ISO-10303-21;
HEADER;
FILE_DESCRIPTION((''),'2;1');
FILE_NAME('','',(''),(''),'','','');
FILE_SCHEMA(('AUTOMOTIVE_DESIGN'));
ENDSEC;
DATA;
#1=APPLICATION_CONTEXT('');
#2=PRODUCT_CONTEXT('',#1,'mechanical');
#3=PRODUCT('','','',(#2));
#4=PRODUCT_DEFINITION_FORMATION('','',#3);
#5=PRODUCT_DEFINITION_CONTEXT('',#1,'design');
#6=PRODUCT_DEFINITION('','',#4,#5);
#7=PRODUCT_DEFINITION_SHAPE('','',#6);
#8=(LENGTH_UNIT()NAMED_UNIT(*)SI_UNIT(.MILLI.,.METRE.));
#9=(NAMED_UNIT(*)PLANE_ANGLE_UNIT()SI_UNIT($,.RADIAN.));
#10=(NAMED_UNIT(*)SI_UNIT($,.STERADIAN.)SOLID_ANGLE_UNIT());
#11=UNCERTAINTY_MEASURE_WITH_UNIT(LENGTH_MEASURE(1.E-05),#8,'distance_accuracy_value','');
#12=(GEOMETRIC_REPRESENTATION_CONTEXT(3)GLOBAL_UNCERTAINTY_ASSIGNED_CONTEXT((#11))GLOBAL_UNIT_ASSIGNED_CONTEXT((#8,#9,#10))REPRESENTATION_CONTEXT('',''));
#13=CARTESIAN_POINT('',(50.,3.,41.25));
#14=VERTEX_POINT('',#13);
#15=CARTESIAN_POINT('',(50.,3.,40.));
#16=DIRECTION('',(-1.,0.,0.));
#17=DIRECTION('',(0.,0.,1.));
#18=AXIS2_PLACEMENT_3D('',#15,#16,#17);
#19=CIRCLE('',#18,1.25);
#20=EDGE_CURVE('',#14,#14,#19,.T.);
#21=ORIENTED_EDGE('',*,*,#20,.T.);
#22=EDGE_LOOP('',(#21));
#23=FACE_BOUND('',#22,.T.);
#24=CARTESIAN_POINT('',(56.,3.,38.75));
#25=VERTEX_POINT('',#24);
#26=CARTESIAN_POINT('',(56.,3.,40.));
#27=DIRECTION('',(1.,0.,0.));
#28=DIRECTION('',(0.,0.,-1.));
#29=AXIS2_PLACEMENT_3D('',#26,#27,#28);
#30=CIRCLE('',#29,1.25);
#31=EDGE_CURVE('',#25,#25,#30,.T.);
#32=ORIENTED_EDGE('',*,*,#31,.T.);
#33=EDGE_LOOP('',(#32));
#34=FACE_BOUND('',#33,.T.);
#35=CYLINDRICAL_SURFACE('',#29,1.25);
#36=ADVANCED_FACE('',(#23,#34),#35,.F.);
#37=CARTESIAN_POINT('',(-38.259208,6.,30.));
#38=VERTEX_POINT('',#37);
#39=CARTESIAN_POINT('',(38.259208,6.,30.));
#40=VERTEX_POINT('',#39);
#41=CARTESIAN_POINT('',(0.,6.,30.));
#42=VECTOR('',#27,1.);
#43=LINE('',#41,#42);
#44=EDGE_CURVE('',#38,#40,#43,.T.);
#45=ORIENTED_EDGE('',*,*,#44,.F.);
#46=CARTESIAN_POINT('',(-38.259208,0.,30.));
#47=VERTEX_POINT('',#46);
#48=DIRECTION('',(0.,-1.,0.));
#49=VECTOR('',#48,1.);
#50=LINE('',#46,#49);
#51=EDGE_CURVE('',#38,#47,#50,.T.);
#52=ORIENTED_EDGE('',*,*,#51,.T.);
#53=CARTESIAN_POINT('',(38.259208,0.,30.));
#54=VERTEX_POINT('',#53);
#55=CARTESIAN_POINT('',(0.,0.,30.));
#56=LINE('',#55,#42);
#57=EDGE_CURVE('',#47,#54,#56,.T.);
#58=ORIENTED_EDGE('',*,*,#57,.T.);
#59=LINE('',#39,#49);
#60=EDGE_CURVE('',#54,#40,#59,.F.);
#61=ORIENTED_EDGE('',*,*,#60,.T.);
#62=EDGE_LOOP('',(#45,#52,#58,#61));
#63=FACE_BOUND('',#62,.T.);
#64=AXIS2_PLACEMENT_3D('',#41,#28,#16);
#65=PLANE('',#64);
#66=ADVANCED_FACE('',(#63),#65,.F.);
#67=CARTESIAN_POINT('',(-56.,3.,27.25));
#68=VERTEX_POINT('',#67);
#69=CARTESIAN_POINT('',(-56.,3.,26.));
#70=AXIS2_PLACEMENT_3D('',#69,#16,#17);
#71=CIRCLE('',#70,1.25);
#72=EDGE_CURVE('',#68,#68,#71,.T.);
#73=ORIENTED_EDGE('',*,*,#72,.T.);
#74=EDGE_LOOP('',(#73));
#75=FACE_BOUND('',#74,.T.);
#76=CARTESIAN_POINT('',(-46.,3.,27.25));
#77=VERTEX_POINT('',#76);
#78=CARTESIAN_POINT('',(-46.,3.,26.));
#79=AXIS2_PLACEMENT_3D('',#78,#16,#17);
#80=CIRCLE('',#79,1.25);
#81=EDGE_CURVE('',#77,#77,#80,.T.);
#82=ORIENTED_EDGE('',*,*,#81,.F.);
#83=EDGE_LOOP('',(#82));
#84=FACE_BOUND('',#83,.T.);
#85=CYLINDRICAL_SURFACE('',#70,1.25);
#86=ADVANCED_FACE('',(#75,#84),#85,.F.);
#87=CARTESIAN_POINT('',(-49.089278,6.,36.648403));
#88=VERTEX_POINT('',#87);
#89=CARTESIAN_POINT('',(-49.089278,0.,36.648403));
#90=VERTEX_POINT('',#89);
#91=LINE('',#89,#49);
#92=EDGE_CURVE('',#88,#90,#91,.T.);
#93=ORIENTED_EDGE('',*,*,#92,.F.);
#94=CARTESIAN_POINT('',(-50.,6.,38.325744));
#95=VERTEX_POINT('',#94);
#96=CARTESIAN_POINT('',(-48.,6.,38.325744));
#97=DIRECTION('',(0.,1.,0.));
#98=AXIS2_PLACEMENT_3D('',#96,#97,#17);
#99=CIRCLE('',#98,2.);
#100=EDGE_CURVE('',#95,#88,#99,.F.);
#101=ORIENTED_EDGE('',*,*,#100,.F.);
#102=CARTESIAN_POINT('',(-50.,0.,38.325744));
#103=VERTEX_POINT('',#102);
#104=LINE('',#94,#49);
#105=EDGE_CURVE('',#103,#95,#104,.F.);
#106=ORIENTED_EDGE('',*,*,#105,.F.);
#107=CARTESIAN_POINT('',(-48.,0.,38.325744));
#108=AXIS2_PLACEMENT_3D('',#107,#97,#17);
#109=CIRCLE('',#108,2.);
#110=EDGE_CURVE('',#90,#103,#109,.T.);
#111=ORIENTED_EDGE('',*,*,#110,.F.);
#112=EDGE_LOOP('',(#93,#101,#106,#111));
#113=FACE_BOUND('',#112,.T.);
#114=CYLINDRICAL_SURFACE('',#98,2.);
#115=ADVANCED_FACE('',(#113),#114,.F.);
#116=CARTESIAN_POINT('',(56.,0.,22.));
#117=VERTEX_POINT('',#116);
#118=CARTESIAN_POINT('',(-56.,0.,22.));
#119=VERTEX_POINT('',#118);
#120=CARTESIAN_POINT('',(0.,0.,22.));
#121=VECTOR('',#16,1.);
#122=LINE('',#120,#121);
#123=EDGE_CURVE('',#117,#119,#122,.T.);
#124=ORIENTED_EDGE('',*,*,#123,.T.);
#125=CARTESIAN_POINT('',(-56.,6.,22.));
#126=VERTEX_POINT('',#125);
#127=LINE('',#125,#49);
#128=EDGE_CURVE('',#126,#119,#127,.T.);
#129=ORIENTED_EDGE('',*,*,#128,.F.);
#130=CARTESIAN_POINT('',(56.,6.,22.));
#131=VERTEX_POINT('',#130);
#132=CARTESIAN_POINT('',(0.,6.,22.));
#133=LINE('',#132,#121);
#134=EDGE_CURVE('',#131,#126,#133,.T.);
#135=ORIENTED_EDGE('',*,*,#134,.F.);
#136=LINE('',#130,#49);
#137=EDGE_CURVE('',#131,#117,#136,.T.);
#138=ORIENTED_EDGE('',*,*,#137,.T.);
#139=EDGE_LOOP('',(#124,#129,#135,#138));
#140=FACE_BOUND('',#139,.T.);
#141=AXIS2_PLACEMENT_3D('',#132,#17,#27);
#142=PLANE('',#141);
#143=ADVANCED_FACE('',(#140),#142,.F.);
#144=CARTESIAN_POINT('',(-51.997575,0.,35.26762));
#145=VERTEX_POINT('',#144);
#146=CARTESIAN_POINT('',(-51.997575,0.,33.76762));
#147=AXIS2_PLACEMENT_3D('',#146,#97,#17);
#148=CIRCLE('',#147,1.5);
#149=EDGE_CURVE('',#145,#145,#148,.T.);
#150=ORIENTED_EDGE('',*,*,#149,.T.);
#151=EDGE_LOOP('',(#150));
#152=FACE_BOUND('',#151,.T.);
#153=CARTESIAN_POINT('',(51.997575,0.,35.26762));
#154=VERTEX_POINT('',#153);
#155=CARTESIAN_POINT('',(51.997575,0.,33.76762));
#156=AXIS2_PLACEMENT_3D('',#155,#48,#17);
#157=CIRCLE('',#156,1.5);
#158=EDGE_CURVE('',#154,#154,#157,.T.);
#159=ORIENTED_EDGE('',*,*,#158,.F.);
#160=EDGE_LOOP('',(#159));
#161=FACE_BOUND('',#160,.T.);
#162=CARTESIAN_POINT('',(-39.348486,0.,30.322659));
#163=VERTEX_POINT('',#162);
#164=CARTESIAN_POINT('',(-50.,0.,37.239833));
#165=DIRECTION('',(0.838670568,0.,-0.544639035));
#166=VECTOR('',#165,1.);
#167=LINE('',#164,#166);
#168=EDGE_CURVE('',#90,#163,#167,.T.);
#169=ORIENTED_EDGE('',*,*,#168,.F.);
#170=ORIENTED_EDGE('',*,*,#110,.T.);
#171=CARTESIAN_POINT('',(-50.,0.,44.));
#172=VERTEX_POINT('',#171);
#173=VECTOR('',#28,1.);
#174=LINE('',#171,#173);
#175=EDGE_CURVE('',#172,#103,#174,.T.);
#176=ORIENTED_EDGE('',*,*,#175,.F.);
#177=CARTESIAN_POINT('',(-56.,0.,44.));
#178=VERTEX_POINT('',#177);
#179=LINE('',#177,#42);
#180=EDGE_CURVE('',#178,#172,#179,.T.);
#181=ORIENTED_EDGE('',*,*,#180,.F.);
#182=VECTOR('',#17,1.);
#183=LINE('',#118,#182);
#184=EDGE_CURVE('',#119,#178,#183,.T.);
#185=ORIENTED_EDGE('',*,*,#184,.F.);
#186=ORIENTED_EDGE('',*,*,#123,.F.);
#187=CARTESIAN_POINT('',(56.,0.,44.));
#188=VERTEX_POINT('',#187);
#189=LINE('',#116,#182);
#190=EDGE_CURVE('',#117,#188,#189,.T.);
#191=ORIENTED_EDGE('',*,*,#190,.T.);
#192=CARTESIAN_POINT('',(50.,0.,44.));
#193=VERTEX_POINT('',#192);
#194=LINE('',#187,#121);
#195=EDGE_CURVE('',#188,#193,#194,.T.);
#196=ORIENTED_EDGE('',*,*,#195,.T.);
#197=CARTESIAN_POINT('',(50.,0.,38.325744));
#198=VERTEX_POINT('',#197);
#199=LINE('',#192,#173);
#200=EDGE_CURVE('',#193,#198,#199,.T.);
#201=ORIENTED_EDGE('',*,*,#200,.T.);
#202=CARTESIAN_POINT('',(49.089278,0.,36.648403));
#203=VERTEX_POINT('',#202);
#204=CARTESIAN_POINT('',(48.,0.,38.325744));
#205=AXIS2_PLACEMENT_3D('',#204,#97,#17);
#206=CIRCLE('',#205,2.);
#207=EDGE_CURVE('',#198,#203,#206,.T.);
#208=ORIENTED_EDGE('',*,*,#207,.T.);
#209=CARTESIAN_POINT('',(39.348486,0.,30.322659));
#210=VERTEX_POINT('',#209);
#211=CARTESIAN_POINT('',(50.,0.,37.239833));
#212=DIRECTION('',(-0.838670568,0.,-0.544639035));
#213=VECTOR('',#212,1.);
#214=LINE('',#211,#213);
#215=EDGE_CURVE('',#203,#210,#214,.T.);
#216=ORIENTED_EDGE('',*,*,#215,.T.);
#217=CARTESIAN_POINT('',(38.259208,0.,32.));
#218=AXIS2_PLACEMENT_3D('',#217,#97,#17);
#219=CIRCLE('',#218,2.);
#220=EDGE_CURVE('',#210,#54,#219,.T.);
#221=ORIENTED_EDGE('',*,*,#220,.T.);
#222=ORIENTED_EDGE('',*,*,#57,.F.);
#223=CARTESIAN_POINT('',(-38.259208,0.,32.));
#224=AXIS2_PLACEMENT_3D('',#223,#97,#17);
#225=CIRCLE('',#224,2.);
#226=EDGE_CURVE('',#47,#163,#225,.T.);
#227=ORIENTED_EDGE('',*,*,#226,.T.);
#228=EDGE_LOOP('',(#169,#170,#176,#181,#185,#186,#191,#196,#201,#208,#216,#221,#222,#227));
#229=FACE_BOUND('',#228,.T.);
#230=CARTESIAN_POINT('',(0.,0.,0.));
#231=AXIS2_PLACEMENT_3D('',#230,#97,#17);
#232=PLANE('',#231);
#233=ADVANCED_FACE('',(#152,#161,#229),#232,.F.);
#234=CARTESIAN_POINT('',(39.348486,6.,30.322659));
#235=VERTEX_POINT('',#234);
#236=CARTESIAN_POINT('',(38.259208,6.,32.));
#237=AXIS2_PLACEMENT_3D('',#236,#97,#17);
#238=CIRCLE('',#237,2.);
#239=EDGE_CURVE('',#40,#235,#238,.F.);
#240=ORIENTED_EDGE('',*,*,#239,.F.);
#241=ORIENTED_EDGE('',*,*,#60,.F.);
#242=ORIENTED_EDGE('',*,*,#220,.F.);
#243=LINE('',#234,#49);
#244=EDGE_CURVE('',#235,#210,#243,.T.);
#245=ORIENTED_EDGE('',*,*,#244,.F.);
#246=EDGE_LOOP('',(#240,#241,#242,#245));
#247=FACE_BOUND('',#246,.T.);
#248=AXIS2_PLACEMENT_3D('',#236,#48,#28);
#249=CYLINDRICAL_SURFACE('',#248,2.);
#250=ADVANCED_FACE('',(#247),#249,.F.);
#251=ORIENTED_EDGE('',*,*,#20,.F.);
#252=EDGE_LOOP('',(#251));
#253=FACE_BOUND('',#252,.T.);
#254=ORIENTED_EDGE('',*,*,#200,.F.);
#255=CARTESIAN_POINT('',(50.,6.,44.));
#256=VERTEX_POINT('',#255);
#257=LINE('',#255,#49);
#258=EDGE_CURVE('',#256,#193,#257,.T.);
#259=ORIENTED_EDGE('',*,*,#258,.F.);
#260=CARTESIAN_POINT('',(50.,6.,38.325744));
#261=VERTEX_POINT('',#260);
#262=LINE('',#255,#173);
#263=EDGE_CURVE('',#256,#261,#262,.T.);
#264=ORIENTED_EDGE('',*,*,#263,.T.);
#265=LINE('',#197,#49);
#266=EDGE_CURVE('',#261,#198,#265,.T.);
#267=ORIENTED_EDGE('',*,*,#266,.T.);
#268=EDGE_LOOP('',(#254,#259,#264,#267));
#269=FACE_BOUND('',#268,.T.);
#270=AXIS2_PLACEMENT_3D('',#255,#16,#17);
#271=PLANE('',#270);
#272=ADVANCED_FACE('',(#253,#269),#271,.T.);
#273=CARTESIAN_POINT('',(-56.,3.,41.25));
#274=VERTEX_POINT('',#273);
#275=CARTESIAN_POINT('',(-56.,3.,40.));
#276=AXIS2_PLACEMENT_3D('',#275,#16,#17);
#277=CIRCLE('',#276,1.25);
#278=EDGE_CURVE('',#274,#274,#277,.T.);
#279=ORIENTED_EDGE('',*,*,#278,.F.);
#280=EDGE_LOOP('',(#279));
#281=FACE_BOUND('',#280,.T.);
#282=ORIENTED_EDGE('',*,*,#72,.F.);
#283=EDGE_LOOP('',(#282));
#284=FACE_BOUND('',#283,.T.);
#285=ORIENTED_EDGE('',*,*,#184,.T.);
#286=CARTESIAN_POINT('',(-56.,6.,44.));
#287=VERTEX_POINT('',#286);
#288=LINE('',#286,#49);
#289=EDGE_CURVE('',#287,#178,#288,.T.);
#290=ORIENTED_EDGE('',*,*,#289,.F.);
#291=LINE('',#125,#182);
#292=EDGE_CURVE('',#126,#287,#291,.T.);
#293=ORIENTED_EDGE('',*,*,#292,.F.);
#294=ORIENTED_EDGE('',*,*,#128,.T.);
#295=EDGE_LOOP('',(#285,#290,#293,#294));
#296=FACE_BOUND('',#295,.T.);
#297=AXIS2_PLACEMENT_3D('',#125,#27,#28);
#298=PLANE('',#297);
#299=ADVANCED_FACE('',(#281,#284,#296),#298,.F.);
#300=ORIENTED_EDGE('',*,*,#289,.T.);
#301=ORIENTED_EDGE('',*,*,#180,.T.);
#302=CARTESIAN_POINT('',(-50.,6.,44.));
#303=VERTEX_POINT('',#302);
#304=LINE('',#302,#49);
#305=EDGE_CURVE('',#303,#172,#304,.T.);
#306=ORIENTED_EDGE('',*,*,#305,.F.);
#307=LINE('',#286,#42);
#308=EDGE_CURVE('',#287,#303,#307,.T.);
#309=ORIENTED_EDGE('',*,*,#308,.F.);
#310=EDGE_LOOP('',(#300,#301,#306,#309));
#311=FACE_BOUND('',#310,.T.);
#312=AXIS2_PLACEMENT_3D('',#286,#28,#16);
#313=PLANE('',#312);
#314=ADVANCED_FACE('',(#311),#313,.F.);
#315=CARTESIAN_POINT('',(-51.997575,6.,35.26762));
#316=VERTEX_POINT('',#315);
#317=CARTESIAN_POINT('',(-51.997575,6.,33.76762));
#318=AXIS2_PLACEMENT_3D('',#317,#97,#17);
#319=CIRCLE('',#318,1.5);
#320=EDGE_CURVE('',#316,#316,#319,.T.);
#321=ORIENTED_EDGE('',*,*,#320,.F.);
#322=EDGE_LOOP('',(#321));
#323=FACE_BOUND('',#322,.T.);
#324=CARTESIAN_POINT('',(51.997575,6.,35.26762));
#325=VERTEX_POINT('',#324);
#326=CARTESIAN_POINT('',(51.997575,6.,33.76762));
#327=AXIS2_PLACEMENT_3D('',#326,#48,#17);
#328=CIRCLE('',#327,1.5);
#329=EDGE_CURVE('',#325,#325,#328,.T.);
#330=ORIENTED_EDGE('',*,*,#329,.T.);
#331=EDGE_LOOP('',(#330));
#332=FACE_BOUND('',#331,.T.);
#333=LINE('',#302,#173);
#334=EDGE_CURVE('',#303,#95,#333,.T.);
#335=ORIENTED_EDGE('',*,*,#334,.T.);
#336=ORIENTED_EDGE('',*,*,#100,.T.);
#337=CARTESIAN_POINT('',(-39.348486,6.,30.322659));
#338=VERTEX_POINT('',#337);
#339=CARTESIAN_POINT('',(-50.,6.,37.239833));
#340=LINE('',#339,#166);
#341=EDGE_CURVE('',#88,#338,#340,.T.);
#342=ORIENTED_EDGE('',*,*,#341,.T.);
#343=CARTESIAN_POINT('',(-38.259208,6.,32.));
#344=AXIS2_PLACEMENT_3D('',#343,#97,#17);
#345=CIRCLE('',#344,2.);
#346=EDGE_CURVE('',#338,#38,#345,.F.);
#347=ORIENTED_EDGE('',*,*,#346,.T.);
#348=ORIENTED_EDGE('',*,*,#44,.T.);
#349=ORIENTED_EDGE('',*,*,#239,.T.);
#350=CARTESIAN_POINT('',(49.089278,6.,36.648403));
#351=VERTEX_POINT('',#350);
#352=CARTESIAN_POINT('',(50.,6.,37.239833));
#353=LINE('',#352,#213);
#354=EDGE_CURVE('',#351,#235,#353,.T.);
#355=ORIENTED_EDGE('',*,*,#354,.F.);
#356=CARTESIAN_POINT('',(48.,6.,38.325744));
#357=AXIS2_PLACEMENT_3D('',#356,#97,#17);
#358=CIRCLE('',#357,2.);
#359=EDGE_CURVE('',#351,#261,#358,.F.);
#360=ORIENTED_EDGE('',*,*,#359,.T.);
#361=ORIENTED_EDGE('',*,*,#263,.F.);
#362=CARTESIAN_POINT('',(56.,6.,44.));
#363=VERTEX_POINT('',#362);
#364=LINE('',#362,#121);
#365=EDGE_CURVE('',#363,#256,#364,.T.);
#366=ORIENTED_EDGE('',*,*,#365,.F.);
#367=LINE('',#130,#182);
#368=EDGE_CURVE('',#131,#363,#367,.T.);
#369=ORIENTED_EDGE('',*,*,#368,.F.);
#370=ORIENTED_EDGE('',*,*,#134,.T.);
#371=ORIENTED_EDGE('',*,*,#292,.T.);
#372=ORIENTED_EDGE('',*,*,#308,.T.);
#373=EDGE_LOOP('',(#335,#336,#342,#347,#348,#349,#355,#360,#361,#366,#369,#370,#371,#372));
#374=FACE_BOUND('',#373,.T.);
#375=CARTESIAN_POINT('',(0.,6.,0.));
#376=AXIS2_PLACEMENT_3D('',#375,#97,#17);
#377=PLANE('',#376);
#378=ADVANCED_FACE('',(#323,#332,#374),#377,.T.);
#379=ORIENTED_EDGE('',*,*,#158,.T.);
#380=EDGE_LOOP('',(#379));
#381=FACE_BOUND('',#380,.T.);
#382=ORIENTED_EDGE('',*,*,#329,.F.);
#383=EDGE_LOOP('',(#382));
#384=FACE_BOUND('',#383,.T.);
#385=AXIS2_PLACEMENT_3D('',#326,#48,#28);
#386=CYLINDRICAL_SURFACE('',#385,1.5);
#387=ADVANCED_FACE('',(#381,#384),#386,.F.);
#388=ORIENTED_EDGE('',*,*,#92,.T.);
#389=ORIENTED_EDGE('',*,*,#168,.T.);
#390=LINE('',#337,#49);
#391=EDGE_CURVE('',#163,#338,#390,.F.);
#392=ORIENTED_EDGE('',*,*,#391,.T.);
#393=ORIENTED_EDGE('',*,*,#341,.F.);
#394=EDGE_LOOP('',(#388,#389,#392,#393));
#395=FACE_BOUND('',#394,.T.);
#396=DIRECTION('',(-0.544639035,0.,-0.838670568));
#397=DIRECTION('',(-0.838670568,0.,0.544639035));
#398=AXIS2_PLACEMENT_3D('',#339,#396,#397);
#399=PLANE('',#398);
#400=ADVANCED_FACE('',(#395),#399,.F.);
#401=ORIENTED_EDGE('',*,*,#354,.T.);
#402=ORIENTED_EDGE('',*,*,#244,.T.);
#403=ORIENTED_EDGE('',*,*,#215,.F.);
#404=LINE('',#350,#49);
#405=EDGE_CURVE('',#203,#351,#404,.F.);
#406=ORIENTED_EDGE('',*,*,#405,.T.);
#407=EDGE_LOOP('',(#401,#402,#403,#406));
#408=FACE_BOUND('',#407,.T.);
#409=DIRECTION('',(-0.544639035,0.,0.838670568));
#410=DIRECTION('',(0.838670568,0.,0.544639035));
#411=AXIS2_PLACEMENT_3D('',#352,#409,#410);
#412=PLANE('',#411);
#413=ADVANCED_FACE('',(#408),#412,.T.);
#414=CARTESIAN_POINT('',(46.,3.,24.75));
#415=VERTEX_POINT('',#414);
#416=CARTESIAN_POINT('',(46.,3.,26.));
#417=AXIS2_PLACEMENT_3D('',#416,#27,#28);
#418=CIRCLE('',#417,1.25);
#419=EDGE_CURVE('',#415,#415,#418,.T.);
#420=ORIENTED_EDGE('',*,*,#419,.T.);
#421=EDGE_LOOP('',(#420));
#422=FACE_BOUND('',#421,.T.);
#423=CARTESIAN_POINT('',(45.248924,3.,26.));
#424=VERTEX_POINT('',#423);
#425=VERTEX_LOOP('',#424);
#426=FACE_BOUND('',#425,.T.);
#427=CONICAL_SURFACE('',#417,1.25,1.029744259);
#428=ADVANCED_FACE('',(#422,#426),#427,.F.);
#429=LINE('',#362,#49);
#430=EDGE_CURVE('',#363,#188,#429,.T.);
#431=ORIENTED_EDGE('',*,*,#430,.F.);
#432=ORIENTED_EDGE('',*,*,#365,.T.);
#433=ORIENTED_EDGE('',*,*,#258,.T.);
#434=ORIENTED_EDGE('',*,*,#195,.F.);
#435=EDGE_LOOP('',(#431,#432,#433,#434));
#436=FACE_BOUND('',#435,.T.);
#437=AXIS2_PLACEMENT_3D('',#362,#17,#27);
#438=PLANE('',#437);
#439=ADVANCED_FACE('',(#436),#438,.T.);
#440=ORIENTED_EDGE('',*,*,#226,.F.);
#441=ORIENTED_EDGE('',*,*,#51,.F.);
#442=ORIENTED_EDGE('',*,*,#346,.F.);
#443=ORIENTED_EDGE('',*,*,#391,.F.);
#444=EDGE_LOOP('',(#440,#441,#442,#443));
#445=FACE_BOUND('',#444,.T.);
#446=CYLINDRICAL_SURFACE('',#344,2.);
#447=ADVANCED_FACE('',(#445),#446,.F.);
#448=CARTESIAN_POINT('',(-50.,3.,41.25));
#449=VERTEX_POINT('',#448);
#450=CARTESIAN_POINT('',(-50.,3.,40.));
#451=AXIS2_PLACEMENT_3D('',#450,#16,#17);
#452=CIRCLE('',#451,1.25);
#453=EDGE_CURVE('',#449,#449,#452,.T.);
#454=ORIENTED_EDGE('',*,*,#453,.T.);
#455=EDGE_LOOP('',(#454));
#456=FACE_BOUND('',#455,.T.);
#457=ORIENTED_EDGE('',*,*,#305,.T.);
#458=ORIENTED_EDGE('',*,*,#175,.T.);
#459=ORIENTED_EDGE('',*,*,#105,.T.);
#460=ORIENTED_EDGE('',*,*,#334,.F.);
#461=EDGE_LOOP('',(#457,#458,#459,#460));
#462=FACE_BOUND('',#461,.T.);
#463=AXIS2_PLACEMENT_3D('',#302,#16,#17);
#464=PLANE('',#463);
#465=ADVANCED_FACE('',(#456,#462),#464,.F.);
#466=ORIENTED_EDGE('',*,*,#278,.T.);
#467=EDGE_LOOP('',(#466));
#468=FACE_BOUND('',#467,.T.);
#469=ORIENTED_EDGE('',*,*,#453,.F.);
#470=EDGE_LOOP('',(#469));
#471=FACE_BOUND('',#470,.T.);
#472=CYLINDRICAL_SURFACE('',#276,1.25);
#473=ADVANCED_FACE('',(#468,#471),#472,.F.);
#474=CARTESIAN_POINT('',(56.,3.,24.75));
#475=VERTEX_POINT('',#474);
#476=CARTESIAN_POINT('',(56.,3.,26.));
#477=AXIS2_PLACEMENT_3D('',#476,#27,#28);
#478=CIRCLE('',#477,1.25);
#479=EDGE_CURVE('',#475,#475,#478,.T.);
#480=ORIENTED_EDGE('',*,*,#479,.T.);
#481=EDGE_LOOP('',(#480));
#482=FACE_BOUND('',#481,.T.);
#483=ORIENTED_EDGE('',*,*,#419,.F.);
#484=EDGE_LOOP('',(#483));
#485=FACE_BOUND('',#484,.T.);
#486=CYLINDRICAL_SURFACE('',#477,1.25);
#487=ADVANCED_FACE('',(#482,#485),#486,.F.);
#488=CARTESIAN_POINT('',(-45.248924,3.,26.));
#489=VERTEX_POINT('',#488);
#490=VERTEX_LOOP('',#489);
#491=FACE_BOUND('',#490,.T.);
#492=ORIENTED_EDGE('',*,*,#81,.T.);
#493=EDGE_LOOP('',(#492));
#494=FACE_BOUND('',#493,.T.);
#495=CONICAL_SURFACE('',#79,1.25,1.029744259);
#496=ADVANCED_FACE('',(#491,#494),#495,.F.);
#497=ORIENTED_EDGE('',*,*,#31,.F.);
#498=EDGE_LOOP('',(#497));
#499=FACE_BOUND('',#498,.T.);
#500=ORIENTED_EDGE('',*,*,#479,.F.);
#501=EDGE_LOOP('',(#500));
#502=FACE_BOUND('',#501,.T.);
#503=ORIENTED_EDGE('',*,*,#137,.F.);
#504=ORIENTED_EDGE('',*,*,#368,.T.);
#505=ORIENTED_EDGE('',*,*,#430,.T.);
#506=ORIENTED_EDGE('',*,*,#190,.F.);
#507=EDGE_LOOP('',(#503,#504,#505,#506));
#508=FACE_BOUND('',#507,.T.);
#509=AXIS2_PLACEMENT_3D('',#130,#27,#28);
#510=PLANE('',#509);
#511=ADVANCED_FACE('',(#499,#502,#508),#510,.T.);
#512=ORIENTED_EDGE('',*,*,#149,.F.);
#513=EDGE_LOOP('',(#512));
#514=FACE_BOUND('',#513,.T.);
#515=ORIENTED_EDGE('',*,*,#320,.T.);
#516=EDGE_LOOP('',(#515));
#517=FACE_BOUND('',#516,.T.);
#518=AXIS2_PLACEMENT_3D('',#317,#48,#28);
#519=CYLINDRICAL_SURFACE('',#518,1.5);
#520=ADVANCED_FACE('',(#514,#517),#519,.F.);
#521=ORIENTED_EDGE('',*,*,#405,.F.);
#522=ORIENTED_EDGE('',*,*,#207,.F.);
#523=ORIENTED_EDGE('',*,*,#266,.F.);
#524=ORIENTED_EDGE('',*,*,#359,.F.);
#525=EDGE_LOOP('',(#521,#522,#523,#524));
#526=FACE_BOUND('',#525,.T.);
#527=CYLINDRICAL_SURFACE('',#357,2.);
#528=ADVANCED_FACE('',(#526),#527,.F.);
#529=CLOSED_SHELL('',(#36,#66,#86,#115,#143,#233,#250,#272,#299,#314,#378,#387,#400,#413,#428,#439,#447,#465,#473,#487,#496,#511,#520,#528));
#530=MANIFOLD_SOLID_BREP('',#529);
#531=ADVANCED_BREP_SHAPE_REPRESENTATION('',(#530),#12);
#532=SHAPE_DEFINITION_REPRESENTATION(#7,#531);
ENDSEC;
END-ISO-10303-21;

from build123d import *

# Parameters (mm, degrees)
SKETCH1_R                        = 1.5
BOSS_EXTRUDE1_DEPTH              = 6
FILLET1_R                        = 2
TAP_DRILL_FOR_M3_TAP1_AT_2_COUNT = 2
TAP_DRILL_FOR_M3_TAP1_AT_2_PITCH = 14
FILLET1_OF_MIRROR1_R             = 2


with BuildPart() as part:
    # Sketch1 → Boss-Extrude1 (new body)
    with BuildSketch(Plane(origin=(0, 0, 0), x_dir=(1, 0, 0), z_dir=(0, 1, 0))):
        Polygon((0, -22), (-56, -22), (-56, -44), (-50, -44), (-50, -37.239832831), (-38.851635079, -30), (0, -30), align=None)
        with Locations(Location((-51.997575213, -33.767620171, 0), (0, 0, 270))):
            Circle(SKETCH1_R, mode=Mode.SUBTRACT)
    boss_extrude1 = extrude(amount=BOSS_EXTRUDE1_DEPTH)

    # Fillet1
    fillet1_edges = [part.edges().sort_by_distance(p)[0] for p in [
        (-38.851635079, 3, 30),
        (-50, 3, 37.239832831),
    ]]
    fillet(fillet1_edges, radius=FILLET1_R)

    # Sketch2 → Tap Drill for M3 Tap1 (revolve, cut)
    with BuildSketch(Plane(origin=(-56, 3, 26), x_dir=(0, 0, 1), z_dir=(0, 1, 0))):
        Polygon((0, 0), (0, 10.751075774), (1.25, 10), (1.25, 0), align=None)
    tap_drill_for_m3_tap1 = revolve(axis=Axis((-62.35, 3, 26), (1, 0, 0)), mode=Mode.SUBTRACT)

    # Tap Drill for M3 Tap1 at 2: Tap Drill for M3 Tap1 ×2
    with Locations(*[(0, 0, i * TAP_DRILL_FOR_M3_TAP1_AT_2_PITCH) for i in range(1, TAP_DRILL_FOR_M3_TAP1_AT_2_COUNT)]):
        add(tap_drill_for_m3_tap1, mode=Mode.SUBTRACT)

    # Mirror1: Boss-Extrude1, Tap Drill for M3 Tap1 across plane
    add(boss_extrude1.mirror(Plane(origin=(0, 6, 30), x_dir=(0, 0, 1), z_dir=(-1, 0, 0))))
    add(tap_drill_for_m3_tap1.mirror(Plane(origin=(0, 6, 30), x_dir=(0, 0, 1), z_dir=(-1, 0, 0))), mode=Mode.SUBTRACT)

    # Mirror1 copy 1 sketch → Mirror1 copy 1 (revolve, cut)
    with BuildSketch(Plane(origin=(56, 3, 40), x_dir=(0, 0, 1), z_dir=(0, 1, 0))):
        Polygon((0, 0), (0, -10.751075774), (1.25, -10), (1.25, 0), align=None)
    revolve(axis=Axis((62.35, 3, 40), (1, 0, 0)), mode=Mode.SUBTRACT)

    # Fillet1 of Mirror1
    fillet1_of_mirror1_edges = [part.edges().sort_by_distance(p)[0] for p in [
        (38.851635079, 3, 30),
        (50, 3, 37.239832831),
    ]]
    fillet(fillet1_of_mirror1_edges, radius=FILLET1_OF_MIRROR1_R)


solid = part.part
